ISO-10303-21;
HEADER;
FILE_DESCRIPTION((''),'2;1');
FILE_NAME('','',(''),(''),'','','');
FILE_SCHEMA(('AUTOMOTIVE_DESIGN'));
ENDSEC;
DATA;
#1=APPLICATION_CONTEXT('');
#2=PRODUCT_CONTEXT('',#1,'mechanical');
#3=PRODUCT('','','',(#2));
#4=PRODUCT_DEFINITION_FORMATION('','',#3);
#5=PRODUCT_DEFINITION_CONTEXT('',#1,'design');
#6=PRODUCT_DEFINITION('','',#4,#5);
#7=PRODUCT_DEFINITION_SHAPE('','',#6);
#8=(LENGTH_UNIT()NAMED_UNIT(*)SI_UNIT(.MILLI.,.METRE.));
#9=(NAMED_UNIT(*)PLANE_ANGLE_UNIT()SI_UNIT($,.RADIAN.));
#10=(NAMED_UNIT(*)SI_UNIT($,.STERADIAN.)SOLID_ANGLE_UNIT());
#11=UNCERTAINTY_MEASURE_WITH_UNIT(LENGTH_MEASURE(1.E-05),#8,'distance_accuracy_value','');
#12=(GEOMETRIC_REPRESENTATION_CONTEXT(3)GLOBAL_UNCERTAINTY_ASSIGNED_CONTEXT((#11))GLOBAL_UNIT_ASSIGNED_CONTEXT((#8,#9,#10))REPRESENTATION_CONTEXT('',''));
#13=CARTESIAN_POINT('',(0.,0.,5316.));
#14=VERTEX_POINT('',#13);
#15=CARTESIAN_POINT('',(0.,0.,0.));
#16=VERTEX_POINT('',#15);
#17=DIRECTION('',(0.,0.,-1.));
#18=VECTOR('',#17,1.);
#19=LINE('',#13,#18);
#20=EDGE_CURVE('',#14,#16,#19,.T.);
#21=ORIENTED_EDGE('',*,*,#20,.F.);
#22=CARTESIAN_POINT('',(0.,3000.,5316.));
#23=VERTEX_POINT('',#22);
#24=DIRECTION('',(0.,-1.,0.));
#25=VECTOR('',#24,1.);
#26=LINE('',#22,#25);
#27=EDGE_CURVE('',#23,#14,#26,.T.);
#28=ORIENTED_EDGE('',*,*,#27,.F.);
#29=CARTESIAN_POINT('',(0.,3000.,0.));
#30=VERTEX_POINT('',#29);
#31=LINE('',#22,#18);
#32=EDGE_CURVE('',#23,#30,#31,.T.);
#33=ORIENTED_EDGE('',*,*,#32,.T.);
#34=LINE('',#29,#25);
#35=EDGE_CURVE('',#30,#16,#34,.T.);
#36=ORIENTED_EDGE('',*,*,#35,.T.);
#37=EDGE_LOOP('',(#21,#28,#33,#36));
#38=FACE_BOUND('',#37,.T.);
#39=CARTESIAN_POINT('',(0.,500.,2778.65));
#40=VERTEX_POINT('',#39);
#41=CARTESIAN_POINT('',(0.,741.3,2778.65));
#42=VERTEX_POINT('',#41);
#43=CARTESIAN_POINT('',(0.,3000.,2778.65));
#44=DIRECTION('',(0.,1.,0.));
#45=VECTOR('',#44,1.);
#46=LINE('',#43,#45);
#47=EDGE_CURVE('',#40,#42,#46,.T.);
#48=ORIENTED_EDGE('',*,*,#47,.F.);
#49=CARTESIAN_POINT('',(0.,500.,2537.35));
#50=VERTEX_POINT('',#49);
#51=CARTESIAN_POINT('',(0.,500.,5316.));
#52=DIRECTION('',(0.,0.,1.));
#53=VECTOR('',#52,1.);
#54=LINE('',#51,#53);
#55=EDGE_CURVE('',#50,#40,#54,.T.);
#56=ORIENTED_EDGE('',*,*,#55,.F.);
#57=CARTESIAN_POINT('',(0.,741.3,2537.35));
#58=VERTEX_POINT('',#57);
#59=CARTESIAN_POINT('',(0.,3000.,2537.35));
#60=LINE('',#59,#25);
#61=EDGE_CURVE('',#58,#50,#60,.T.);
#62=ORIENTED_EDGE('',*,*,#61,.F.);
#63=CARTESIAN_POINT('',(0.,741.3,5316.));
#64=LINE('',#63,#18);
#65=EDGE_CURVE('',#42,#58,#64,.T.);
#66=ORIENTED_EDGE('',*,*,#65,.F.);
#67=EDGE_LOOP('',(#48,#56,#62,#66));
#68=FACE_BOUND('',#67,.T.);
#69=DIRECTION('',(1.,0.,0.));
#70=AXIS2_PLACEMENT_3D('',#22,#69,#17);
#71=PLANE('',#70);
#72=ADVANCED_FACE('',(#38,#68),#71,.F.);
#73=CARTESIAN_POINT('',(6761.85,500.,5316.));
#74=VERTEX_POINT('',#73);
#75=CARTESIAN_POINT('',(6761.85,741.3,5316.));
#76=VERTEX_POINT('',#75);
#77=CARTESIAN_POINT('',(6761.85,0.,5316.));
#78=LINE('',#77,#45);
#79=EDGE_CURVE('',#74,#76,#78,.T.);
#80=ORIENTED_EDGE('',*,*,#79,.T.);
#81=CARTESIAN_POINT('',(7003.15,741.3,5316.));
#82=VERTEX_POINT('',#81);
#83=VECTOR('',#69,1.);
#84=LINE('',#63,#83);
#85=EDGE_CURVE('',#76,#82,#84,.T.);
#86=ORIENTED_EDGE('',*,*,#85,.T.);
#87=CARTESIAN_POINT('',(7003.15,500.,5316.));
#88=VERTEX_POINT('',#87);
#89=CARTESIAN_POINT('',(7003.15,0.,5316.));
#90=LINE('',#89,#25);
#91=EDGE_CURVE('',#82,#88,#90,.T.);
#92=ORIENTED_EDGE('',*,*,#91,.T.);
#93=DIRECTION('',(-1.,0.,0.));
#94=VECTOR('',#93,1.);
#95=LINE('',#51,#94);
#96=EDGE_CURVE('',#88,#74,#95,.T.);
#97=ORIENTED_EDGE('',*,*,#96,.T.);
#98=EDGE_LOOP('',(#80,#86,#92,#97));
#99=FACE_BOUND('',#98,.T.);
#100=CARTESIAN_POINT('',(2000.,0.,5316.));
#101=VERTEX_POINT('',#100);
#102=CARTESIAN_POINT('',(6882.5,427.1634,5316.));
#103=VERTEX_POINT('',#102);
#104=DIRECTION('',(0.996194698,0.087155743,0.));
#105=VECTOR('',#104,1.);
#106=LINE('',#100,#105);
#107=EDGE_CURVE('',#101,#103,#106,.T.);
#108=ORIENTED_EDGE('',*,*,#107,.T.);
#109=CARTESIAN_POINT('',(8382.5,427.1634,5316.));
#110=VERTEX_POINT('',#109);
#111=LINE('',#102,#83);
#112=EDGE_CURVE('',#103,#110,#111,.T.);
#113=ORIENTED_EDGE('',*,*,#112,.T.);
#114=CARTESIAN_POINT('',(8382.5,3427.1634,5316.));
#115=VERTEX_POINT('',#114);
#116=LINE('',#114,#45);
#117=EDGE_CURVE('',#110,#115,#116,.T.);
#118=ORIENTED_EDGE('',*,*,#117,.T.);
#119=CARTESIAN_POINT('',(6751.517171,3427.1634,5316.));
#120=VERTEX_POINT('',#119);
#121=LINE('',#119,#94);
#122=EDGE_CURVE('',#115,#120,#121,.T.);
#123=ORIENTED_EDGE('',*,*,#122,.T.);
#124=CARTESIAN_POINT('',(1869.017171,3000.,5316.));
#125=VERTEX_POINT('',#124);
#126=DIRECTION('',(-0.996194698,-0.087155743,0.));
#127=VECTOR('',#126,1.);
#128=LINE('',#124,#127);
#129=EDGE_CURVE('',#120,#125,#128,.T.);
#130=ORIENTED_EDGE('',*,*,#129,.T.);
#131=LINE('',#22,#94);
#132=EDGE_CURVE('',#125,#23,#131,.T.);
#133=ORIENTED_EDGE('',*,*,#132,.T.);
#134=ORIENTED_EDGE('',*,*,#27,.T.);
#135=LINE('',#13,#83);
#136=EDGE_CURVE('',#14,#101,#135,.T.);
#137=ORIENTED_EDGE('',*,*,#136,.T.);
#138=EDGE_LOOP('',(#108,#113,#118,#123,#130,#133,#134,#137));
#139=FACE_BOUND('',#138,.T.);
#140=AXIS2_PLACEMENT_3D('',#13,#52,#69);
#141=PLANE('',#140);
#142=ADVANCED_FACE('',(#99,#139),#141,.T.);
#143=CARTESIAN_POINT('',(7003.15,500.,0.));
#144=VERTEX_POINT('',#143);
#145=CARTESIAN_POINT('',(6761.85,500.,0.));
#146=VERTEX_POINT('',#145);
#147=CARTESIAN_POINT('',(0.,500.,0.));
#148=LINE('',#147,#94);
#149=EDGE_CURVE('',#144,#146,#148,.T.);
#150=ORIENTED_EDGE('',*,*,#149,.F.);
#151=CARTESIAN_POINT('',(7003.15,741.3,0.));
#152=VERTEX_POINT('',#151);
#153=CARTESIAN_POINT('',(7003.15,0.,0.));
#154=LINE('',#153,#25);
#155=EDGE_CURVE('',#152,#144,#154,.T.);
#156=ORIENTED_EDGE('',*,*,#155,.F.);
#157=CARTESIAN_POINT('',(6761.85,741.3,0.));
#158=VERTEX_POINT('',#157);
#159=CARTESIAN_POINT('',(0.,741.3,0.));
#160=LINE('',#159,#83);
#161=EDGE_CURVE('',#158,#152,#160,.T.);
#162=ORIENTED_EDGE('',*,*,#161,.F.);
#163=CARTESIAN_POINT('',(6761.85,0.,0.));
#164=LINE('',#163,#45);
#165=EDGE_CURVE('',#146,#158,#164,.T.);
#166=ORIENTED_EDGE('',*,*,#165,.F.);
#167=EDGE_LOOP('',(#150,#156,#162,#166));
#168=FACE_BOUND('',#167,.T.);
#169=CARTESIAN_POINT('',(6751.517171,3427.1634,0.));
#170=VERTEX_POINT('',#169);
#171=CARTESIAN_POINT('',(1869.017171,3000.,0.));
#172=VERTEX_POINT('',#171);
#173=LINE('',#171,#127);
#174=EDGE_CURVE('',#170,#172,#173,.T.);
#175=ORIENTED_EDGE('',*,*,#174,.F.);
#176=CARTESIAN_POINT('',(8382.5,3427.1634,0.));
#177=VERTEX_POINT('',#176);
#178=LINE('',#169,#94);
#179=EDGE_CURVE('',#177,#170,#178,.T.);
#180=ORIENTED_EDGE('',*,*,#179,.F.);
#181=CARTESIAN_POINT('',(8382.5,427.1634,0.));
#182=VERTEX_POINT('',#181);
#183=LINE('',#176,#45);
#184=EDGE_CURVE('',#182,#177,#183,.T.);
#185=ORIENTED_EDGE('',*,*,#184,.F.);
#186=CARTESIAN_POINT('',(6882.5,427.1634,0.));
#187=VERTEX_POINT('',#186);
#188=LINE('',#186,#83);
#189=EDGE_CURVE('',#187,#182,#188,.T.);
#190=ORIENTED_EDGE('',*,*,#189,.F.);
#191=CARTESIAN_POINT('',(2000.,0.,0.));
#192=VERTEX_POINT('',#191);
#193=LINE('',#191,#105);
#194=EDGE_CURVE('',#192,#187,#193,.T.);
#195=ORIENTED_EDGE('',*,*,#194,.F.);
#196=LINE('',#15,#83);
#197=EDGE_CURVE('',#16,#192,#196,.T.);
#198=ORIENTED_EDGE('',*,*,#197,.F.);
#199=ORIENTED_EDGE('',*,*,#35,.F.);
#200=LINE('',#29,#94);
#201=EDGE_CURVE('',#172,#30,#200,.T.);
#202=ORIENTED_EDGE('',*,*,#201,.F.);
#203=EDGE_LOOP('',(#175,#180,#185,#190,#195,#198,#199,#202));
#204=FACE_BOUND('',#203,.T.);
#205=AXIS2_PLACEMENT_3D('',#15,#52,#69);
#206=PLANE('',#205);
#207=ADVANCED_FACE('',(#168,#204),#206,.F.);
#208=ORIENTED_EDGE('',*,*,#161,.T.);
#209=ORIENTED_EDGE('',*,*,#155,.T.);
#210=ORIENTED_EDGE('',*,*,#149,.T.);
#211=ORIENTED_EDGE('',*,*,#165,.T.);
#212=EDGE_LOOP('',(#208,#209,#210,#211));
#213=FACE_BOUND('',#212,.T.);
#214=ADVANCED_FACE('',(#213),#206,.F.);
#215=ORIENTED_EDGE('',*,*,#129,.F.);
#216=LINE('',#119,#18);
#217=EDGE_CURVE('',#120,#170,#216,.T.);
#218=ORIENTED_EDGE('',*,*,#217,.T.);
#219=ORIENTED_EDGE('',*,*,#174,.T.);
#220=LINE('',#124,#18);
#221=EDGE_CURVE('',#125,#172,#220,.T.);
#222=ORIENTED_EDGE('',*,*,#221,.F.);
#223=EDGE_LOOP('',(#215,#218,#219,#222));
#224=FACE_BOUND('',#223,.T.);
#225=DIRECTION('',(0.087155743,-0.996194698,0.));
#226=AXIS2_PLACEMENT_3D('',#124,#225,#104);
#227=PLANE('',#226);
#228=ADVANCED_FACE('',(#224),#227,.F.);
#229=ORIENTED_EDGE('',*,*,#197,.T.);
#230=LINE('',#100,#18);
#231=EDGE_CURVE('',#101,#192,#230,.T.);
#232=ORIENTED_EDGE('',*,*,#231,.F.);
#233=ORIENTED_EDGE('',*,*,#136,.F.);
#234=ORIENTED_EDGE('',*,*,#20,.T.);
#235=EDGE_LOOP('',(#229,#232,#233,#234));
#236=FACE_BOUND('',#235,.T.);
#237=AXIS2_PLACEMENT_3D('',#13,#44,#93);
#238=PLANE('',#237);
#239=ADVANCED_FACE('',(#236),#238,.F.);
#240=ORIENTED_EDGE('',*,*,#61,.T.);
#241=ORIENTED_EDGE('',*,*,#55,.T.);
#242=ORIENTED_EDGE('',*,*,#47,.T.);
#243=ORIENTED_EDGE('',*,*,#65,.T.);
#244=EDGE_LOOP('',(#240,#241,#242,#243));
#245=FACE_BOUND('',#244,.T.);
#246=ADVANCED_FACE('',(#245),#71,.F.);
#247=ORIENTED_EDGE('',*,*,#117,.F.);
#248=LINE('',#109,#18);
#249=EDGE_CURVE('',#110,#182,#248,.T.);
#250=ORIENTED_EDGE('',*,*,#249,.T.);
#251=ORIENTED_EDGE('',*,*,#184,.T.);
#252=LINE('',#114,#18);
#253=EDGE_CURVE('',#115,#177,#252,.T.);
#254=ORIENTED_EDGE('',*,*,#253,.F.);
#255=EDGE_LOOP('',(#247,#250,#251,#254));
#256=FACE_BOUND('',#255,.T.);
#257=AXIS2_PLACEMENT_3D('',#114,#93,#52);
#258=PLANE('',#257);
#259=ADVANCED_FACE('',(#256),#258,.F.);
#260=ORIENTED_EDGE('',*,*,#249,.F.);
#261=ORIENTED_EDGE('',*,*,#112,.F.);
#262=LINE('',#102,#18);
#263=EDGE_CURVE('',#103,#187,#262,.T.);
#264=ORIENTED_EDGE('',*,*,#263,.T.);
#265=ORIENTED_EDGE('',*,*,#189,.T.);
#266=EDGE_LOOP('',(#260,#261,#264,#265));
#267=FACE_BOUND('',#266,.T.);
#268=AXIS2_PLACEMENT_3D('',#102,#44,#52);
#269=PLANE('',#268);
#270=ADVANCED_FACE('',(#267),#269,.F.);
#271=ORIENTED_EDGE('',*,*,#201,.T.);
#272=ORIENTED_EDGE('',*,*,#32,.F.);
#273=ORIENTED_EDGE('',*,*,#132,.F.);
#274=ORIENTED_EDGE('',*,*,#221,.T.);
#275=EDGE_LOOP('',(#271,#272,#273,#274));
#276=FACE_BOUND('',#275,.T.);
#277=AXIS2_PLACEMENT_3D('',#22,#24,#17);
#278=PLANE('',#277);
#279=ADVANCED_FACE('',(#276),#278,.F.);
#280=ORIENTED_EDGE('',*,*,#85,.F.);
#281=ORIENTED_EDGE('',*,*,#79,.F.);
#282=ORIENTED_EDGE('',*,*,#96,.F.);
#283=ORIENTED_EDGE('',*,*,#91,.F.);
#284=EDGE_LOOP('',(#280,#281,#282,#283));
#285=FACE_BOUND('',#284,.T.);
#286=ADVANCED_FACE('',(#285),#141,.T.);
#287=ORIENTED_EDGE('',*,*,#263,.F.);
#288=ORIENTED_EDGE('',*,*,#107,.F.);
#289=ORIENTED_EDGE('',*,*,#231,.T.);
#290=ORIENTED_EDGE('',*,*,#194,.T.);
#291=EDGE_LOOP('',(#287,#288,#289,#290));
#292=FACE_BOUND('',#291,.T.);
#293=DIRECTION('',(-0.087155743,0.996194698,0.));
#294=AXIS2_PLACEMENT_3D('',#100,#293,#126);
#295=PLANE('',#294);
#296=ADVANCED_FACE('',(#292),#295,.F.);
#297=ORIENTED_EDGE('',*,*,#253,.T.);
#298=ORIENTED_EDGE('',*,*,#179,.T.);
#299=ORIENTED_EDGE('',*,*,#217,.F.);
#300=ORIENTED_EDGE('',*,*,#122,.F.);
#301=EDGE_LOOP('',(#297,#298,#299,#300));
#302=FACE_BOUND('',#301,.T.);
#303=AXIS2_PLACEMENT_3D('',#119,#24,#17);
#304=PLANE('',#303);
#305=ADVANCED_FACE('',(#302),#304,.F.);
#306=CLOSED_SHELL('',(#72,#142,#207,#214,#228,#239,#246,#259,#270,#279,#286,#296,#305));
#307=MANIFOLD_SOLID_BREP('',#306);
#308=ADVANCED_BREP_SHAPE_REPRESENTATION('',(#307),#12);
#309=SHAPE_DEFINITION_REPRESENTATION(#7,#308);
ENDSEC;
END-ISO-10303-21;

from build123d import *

# Parameters (mm, degrees)
BOSS_EXTRUDE1_DEPTH = 5316


with BuildPart() as part:
    # Sketch2 → Boss-Extrude1 (new body)
    with BuildSketch(Plane.XY):
        Polygon((0, 0), (2000, 0), (6882.5, 427.163399665), (8382.5, 427.163399665), (8382.5, 3427.163399665), (6751.517171274, 3427.163399665), (1869.017171274, 3000), (0, 3000), align=None)
    extrude(amount=BOSS_EXTRUDE1_DEPTH)


solid = part.part
